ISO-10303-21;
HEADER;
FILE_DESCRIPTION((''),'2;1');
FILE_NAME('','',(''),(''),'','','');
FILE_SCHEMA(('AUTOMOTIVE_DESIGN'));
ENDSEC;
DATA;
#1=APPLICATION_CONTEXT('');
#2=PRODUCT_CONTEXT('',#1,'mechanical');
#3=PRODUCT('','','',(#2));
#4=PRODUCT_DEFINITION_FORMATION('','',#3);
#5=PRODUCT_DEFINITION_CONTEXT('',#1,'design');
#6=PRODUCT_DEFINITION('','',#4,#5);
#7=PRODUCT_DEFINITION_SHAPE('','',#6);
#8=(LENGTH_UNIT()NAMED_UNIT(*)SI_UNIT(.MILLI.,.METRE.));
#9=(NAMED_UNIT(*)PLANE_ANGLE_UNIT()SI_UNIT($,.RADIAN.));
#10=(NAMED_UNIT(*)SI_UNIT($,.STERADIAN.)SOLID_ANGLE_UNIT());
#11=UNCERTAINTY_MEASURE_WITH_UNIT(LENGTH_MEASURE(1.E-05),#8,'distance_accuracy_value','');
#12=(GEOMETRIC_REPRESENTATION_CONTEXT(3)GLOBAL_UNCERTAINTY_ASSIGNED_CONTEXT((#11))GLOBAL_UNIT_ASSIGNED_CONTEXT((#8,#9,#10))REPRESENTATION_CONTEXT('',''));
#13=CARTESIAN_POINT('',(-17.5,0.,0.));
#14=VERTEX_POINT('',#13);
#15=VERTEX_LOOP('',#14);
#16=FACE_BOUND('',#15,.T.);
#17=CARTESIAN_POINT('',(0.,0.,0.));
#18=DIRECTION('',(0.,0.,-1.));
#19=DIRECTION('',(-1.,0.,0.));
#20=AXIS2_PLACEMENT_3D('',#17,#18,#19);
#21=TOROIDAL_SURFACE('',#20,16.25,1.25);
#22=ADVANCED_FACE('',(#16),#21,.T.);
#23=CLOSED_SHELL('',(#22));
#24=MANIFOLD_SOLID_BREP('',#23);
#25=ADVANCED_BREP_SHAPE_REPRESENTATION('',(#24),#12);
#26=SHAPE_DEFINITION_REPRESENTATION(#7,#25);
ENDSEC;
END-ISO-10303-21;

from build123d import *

# Parameters (mm, degrees)
SKETCH2_R = 1.25


with BuildPart() as part:
    # Sweep1: sweep along a path in Sketch1
    with BuildLine(Plane.XY) as sweep1_path:
        CenterArc((0, 0), 15, 0, 360)
    # Sketch2 → Sweep1 (sweep)
    with BuildSketch(Plane(origin=(0, 0, 0), x_dir=(1, 0, 0), z_dir=(0, 1, 0))):
        with Locations((-16.25, 0)):
            Circle(SKETCH2_R)
    sweep(path=sweep1_path.line)


solid = part.part
